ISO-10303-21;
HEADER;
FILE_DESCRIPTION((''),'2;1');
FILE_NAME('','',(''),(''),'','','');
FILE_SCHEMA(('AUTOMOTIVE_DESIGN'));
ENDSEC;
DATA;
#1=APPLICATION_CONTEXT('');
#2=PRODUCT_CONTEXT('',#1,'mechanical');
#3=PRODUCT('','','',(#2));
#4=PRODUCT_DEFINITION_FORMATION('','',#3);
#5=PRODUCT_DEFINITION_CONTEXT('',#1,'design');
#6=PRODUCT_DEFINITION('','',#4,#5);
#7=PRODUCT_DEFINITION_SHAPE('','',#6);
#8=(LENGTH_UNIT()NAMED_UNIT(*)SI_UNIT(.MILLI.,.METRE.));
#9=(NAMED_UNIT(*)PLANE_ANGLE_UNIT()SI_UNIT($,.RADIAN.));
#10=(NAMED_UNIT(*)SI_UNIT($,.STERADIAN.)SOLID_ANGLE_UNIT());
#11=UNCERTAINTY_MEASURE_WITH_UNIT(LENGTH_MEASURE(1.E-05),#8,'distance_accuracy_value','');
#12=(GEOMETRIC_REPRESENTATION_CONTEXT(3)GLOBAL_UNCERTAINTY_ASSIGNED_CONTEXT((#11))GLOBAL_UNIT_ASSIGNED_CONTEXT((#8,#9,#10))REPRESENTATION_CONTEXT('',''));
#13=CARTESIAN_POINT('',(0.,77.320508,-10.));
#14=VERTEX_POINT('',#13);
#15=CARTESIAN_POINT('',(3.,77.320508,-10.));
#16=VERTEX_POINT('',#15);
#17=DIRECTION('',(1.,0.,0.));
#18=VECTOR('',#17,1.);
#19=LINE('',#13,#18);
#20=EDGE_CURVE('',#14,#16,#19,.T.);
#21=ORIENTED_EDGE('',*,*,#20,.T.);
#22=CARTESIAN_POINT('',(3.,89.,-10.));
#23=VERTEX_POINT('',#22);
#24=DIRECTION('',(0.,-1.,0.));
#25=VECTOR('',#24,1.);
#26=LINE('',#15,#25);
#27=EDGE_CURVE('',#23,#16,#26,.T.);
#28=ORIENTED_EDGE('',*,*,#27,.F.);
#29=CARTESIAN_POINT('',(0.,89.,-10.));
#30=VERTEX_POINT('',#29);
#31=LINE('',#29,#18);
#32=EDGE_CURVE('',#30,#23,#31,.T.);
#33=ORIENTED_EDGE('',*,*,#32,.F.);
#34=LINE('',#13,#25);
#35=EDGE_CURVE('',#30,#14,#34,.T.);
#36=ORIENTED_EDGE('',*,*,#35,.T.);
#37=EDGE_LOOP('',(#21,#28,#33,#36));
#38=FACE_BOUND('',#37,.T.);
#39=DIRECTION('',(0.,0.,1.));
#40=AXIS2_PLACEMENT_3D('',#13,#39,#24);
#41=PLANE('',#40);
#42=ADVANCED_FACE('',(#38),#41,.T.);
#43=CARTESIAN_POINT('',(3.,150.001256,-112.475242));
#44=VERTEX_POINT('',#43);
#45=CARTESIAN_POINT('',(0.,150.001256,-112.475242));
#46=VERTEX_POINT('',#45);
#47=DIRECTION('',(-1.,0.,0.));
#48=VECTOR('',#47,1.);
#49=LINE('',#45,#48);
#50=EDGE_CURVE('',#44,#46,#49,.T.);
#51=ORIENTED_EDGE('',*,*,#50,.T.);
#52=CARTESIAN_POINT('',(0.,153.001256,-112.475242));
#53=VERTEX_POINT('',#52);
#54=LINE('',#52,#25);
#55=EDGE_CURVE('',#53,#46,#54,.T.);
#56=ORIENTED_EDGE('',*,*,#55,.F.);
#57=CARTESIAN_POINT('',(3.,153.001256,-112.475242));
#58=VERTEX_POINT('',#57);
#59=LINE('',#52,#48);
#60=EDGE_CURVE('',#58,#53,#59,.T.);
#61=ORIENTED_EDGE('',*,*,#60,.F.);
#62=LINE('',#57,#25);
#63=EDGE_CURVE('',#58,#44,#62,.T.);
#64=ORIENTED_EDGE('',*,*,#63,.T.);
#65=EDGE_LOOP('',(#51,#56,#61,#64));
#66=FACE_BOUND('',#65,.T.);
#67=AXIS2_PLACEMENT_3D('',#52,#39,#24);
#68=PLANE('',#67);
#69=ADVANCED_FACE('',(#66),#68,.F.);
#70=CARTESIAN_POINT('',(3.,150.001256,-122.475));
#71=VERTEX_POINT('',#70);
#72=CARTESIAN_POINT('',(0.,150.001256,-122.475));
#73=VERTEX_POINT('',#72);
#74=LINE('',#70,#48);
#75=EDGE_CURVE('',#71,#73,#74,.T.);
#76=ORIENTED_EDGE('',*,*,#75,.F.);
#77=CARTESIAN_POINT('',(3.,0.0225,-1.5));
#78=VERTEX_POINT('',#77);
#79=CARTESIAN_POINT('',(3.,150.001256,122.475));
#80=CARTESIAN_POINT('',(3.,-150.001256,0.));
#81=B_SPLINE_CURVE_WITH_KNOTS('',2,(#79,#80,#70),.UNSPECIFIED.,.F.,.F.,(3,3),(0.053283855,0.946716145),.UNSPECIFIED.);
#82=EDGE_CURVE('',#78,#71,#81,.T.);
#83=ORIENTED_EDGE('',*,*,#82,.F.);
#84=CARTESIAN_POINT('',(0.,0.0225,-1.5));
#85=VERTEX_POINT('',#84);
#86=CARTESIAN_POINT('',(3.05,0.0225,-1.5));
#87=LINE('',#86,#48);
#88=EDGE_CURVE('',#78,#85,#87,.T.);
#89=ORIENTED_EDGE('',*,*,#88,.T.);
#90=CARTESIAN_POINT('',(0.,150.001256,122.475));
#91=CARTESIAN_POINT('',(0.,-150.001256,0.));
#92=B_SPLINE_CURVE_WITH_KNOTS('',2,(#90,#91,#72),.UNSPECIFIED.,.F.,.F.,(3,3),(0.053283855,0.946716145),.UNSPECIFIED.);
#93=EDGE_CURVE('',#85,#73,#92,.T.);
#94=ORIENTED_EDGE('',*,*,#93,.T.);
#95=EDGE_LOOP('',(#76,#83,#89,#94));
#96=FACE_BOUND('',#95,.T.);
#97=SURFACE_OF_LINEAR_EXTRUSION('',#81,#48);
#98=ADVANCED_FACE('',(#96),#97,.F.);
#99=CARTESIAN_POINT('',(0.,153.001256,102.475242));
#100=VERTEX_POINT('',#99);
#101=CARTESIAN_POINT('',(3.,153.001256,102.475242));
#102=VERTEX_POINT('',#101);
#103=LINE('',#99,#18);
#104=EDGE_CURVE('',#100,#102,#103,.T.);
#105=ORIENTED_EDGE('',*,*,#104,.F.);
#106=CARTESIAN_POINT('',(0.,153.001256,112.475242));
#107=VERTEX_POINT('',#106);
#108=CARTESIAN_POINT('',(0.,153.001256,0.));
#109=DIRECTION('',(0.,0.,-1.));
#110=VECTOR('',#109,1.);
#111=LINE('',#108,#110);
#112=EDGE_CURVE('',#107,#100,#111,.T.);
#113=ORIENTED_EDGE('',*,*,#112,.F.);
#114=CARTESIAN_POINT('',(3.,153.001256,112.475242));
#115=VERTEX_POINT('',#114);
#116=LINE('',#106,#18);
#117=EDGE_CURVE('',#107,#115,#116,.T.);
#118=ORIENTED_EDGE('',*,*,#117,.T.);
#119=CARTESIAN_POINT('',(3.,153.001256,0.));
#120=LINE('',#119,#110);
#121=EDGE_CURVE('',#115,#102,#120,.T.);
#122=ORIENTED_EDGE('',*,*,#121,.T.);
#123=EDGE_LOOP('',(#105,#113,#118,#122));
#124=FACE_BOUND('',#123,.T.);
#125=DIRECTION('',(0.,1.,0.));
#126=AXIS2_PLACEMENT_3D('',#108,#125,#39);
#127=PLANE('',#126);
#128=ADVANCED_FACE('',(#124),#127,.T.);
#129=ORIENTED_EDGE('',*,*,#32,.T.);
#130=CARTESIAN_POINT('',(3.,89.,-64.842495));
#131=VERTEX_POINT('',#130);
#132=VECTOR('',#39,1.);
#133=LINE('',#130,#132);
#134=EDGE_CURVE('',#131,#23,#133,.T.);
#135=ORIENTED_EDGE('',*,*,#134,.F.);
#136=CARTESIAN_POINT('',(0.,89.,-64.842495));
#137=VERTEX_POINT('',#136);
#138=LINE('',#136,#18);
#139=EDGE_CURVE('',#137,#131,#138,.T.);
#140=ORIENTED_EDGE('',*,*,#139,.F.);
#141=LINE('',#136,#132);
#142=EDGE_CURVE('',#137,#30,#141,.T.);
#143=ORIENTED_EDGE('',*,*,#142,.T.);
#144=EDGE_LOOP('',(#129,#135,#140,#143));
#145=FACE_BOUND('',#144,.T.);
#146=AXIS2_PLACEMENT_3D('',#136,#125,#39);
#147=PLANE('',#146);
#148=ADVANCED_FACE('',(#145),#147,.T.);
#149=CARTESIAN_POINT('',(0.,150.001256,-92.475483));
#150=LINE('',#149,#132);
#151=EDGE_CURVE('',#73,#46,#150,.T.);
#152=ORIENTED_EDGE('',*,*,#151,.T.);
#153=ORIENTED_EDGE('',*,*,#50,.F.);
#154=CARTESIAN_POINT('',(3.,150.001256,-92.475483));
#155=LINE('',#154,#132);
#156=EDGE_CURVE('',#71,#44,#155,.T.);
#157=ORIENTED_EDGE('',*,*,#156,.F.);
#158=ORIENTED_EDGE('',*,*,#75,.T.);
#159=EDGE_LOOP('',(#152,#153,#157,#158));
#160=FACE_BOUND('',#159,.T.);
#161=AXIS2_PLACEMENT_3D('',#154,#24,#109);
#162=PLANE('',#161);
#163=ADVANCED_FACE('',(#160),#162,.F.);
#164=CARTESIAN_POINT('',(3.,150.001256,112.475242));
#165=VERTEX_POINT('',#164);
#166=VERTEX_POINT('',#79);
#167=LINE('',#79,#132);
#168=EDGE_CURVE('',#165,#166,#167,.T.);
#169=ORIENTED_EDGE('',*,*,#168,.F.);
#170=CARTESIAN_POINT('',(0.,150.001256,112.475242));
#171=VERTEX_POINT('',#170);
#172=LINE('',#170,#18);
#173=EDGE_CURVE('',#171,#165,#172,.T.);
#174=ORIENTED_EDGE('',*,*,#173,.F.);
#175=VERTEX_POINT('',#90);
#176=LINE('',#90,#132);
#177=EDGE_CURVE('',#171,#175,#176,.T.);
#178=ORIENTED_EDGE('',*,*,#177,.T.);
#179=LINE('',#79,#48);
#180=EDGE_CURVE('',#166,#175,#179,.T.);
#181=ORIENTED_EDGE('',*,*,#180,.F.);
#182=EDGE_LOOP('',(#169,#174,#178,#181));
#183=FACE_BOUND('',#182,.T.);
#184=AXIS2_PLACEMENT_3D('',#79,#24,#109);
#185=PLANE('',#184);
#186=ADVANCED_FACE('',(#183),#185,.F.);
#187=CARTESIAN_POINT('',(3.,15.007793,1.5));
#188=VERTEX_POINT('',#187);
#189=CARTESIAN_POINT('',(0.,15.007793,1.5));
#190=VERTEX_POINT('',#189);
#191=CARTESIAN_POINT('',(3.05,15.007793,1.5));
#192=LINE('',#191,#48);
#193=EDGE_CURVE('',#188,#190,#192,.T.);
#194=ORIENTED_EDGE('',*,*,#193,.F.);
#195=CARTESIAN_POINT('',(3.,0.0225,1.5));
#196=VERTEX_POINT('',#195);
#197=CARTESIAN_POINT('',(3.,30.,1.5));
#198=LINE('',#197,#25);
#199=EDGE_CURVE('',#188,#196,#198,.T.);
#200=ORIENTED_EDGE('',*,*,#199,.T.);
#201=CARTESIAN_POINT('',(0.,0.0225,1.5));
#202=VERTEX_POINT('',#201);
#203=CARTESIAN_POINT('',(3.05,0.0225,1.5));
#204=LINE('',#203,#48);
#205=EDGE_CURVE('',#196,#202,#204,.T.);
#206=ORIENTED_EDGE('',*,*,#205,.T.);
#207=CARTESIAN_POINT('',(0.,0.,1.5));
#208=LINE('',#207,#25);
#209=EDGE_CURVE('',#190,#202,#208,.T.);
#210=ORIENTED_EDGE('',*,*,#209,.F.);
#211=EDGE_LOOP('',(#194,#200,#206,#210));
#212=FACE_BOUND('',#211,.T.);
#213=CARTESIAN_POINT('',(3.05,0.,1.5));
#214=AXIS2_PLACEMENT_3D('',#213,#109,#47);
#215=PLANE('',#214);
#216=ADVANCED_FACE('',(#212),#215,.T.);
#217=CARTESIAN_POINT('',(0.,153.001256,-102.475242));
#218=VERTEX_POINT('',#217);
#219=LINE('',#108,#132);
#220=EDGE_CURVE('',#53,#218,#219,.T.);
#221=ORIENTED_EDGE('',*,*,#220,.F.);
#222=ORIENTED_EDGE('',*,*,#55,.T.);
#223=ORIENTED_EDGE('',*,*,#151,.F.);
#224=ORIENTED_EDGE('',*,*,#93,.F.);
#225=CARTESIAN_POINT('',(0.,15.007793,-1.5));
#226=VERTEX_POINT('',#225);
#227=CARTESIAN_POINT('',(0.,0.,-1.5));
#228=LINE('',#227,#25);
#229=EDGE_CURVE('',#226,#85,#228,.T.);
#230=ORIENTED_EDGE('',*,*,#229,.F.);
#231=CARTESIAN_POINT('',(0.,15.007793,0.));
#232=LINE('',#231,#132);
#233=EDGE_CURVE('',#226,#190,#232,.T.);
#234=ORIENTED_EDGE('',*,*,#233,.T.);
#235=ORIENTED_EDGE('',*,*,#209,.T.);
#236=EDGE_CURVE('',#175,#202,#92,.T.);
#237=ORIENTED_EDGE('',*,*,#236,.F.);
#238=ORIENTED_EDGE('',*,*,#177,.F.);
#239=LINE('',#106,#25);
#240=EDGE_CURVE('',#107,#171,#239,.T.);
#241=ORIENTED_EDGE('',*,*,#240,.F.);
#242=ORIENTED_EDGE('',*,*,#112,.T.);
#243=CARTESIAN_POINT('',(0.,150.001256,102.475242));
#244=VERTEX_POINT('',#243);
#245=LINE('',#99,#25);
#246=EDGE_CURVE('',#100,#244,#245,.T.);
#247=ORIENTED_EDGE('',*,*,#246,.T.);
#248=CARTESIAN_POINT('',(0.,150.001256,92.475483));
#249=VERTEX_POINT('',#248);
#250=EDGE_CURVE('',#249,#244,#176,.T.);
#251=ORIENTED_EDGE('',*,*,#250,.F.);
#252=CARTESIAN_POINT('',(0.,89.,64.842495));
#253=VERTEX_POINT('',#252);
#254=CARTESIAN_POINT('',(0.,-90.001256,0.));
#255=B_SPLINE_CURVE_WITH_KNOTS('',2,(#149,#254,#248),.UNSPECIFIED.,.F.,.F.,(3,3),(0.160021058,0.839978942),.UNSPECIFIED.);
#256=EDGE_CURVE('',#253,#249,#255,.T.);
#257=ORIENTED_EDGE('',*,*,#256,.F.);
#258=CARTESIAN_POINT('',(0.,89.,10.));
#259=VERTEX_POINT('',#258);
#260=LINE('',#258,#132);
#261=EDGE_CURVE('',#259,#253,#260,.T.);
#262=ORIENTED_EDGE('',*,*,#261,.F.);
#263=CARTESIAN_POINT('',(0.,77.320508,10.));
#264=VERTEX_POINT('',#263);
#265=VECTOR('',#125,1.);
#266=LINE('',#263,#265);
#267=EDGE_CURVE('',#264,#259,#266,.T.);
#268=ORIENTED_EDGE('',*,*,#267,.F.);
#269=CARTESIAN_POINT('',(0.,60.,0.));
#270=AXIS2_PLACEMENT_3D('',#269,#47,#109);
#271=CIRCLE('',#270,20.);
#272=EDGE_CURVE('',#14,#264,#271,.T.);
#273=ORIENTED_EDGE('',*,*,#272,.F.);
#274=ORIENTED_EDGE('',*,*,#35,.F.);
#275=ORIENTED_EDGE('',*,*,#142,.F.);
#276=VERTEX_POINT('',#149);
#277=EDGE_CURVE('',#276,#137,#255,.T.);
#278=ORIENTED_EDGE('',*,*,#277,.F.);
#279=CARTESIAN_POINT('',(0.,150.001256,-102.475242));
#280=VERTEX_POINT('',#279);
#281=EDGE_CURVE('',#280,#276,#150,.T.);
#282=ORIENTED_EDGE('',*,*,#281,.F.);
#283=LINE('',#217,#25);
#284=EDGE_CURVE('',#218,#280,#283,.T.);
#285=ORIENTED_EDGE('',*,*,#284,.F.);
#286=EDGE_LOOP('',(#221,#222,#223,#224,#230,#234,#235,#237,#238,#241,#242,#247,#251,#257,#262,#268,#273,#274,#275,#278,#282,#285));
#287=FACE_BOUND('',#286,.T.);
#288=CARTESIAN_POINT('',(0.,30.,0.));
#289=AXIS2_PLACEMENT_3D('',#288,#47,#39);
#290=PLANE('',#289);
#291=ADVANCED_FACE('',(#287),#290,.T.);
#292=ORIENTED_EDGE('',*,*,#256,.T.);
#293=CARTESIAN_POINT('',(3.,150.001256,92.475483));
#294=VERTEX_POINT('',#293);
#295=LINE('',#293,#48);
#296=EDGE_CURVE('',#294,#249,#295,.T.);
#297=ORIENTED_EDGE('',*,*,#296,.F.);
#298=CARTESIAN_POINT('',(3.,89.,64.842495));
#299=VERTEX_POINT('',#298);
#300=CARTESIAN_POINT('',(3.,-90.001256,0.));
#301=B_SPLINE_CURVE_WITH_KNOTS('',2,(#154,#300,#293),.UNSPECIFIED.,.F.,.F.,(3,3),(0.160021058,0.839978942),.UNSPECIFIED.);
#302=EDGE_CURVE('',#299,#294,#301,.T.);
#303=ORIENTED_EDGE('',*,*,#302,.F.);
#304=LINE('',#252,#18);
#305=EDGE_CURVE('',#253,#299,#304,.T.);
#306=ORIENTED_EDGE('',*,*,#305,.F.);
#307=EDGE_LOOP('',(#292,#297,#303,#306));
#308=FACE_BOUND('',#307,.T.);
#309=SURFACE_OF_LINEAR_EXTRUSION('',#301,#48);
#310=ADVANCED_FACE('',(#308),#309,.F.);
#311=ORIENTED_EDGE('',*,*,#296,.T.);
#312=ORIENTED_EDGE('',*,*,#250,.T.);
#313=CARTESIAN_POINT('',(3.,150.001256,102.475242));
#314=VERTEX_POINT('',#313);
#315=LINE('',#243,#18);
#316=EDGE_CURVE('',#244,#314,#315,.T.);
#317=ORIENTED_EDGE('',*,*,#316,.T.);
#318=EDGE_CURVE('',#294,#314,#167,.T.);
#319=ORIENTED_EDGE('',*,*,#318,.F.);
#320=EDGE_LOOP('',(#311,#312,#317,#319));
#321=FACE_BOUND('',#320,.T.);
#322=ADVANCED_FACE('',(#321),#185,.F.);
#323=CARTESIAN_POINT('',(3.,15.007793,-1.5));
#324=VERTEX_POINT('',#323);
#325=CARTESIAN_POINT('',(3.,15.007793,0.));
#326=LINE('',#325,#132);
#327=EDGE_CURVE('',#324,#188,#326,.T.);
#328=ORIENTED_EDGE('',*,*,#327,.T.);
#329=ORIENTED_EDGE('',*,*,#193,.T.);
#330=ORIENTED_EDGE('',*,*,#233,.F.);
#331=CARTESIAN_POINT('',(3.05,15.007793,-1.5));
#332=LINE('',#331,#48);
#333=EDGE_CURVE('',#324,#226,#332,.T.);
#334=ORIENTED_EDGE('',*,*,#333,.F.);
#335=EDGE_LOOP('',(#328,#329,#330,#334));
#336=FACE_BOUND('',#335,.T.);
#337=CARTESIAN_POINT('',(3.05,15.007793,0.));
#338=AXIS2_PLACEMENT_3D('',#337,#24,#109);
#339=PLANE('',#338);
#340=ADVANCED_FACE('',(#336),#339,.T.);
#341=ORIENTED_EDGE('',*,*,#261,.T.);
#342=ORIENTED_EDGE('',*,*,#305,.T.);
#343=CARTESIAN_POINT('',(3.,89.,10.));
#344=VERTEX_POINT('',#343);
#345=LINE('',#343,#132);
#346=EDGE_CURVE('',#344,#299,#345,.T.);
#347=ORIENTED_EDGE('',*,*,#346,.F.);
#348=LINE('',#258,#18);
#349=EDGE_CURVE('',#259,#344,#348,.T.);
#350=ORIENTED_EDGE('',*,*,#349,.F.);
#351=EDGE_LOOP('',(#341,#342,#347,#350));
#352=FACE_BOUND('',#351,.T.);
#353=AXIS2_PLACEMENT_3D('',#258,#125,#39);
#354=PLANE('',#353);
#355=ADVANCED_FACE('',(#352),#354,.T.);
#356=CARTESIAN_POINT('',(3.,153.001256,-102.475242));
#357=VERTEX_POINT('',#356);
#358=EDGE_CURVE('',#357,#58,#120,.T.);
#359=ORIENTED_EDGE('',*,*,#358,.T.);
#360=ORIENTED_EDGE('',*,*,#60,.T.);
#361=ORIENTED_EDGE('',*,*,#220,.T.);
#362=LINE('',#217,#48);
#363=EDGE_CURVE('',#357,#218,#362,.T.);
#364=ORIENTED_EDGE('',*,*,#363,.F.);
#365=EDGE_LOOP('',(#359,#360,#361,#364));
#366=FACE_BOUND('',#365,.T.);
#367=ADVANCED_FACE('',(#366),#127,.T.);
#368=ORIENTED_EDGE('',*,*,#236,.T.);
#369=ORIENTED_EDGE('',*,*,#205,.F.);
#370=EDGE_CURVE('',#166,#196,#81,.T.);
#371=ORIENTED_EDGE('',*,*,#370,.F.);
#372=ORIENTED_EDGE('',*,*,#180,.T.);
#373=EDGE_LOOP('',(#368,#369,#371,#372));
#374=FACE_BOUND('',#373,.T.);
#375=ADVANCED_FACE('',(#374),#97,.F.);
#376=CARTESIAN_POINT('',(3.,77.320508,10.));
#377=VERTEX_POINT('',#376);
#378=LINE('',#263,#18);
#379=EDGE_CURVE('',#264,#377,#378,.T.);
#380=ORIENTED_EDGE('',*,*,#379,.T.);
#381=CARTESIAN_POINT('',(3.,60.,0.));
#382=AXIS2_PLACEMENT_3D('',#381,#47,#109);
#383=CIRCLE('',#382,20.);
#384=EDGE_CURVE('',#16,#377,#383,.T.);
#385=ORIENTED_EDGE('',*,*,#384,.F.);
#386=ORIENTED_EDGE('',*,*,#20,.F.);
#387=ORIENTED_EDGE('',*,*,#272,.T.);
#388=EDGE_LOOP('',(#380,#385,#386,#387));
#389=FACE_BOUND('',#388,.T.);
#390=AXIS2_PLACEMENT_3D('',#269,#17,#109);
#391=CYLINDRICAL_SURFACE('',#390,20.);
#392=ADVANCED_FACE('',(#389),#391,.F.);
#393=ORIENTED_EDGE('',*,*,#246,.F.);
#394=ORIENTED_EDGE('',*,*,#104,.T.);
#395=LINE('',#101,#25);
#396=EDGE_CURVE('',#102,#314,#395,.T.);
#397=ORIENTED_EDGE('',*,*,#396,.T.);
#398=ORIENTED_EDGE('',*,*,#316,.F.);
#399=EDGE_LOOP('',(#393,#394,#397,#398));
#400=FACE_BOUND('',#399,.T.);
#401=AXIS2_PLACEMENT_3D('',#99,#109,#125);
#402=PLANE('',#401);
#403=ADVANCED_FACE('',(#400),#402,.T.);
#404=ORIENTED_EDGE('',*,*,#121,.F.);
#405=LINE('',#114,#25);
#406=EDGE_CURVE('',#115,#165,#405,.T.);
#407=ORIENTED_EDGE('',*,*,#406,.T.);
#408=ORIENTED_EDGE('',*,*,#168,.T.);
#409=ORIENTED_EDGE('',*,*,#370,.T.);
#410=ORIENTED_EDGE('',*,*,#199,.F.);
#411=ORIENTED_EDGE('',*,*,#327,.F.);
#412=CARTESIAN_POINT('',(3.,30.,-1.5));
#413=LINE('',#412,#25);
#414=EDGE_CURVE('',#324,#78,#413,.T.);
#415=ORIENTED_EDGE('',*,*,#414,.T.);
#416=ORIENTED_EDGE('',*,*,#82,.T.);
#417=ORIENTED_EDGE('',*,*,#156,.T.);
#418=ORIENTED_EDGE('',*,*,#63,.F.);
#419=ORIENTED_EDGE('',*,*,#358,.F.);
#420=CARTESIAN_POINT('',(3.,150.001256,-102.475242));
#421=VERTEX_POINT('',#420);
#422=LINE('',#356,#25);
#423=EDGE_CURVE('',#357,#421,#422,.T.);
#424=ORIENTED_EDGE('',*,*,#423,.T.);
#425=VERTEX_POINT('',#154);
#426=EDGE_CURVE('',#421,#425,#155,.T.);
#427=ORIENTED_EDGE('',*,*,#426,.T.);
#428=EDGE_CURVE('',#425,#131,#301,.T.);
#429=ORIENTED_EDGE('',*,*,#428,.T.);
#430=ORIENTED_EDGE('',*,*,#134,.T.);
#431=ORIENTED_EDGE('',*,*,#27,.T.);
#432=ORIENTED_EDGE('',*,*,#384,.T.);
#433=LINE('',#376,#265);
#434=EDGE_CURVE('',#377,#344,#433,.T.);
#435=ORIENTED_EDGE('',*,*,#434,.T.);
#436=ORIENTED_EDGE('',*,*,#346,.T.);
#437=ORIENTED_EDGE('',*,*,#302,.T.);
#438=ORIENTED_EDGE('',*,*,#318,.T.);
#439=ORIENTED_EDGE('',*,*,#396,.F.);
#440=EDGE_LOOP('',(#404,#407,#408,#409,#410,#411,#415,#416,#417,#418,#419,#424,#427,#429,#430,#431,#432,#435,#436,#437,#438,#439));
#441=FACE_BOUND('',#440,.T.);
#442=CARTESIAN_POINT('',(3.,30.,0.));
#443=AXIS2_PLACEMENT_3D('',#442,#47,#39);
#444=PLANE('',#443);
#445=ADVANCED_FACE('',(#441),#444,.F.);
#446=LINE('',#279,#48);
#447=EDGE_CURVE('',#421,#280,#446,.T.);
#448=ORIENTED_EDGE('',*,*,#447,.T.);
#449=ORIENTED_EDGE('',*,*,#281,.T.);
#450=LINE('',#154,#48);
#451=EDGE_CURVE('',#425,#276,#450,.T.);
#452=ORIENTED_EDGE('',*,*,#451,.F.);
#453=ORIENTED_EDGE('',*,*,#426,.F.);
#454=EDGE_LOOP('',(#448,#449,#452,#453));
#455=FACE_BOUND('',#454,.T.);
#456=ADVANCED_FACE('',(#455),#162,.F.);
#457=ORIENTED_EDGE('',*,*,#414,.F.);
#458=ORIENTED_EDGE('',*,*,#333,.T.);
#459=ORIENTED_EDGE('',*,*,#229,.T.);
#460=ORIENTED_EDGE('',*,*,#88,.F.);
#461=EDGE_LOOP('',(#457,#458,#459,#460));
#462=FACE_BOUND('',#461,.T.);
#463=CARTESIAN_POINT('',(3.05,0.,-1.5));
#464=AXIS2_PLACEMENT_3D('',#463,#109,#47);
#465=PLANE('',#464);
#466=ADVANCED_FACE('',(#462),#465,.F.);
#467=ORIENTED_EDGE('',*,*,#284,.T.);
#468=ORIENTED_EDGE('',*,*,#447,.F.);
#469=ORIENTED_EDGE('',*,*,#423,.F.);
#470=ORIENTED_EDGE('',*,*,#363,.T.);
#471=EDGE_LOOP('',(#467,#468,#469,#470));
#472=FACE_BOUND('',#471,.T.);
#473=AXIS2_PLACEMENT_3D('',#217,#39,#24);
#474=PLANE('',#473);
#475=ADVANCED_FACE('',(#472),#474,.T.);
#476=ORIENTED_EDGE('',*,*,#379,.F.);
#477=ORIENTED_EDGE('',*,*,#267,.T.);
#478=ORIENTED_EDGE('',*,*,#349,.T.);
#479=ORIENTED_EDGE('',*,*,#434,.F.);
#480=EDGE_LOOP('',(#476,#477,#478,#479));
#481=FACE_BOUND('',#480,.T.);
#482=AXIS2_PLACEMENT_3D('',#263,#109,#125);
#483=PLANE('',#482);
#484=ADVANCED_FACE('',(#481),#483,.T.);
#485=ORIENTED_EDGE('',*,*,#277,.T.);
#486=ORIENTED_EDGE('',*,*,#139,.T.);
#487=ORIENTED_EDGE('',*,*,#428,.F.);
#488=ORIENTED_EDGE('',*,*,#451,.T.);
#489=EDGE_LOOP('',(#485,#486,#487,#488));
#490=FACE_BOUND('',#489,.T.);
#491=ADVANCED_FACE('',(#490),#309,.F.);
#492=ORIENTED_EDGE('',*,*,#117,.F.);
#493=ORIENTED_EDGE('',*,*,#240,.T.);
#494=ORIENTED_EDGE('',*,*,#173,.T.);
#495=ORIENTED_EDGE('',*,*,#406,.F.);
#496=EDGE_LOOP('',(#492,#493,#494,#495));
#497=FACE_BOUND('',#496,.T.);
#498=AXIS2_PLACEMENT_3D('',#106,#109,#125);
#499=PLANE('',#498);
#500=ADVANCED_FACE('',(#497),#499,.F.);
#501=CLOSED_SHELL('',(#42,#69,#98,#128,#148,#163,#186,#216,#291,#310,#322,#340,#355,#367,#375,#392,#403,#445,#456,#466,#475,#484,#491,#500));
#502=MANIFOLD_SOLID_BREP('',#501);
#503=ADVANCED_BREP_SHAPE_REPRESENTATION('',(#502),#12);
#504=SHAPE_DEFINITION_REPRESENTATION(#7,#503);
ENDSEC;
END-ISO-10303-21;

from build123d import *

# Parameters (mm, degrees)
EXTRUDE_1_DEPTH     = 3
EXTRUDE_2_DEPTH     = 3
EXTRUDE_3_DEPTH     = 3
CUT_EXTRUDE_1_DEPTH = 197.006403199


with BuildPart() as part:
    # 草图1 → 凸台-拉伸1 (new body)
    with BuildSketch(Plane(origin=(0, 0, 0), x_dir=(0, 0, -1), z_dir=(1, 0, 0))):
        with BuildLine():
            Line((-122.475, 150.001256251), (-92.475483103, 150.001256251))
            add(Edge.make_bspline(
                [(-92.475483103, 150.001256251), (0, -90.001256251), (92.475483103, 150.001256251)],
                knots=[0.160021058, 0.160021058, 0.160021058, 0.839978942, 0.839978942, 0.839978942], degree=2))
            Line((92.475483103, 150.001256251), (122.475, 150.001256251))
            add(Edge.make_bspline(
                [(-122.475, 150.001256251), (0, -150.001256251), (122.475, 150.001256251)],
                knots=[0.053283855, 0.053283855, 0.053283855, 0.946716145, 0.946716145, 0.946716145], degree=2))
        make_face()
    extrude(amount=EXTRUDE_1_DEPTH)

    # 草图3 → 凸台-拉伸2 (add)
    with BuildSketch(Plane(origin=(0, 150.001256251, 0), x_dir=(1, 0, 0), z_dir=(0, 1, 0))):
        Polygon((3, -102.475241552), (0.999991948, -102.475241552), (2.000008052, -112.475241552), (3, -112.475241552), align=None)
        Polygon((2.000008052, -112.475241552), (0.999991948, -102.475241552), (0, -102.475241552), (0, -112.475241552), align=None)
        Polygon((0.999991948, 102.475241552), (2.000008052, 112.475241552), (0, 112.475241552), (0, 102.475241552), align=None)
        Polygon((3, 112.475241552), (2.000008052, 112.475241552), (0.999991948, 102.475241552), (3, 102.475241552), align=None)
    extrude(amount=EXTRUDE_2_DEPTH)

    # 草图4 → 凸台-拉伸3 (add)
    with BuildSketch(Plane(origin=(3, 0, 0), x_dir=(0, 0, -1), z_dir=(1, 0, 0))):
        with BuildLine():
            Line((-10, 89), (-64.842495169, 89))
            add(Edge.make_bspline(
                [(64.842495169, 89), (0, -29), (-64.842495169, 89)],
                knots=[0, 0, 0, 1, 1, 1], degree=2))
            Line((64.842495169, 89), (10, 89))
            Line((10, 89), (10, 77.320508076))
            ThreePointArc((10, 77.320508076), (0, 40), (-10, 77.320508076))
            Line((-10, 77.320508076), (-10, 89))
        make_face()
    extrude(amount=-EXTRUDE_3_DEPTH)

    # 草图5 → 切除-拉伸1 (cut, through all)
    with BuildSketch(Plane.ZY):
        with BuildLine():
            Line((1.5, 15.007793411), (-1.5, 15.007793411))
            Line((-1.5, 15.007793411), (-1.5, 0.0225))
            add(Edge.make_bspline(
                [(-1.5, 0.0225), (0, -0.0225), (1.5, 0.0225)],
                knots=[0.49452889, 0.49452889, 0.49452889, 0.50547111, 0.50547111, 0.50547111], degree=2))
            Line((1.5, 0.0225), (1.5, 15.007793411))
        make_face()
    extrude(amount=-CUT_EXTRUDE_1_DEPTH, mode=Mode.SUBTRACT)


solid = part.part
